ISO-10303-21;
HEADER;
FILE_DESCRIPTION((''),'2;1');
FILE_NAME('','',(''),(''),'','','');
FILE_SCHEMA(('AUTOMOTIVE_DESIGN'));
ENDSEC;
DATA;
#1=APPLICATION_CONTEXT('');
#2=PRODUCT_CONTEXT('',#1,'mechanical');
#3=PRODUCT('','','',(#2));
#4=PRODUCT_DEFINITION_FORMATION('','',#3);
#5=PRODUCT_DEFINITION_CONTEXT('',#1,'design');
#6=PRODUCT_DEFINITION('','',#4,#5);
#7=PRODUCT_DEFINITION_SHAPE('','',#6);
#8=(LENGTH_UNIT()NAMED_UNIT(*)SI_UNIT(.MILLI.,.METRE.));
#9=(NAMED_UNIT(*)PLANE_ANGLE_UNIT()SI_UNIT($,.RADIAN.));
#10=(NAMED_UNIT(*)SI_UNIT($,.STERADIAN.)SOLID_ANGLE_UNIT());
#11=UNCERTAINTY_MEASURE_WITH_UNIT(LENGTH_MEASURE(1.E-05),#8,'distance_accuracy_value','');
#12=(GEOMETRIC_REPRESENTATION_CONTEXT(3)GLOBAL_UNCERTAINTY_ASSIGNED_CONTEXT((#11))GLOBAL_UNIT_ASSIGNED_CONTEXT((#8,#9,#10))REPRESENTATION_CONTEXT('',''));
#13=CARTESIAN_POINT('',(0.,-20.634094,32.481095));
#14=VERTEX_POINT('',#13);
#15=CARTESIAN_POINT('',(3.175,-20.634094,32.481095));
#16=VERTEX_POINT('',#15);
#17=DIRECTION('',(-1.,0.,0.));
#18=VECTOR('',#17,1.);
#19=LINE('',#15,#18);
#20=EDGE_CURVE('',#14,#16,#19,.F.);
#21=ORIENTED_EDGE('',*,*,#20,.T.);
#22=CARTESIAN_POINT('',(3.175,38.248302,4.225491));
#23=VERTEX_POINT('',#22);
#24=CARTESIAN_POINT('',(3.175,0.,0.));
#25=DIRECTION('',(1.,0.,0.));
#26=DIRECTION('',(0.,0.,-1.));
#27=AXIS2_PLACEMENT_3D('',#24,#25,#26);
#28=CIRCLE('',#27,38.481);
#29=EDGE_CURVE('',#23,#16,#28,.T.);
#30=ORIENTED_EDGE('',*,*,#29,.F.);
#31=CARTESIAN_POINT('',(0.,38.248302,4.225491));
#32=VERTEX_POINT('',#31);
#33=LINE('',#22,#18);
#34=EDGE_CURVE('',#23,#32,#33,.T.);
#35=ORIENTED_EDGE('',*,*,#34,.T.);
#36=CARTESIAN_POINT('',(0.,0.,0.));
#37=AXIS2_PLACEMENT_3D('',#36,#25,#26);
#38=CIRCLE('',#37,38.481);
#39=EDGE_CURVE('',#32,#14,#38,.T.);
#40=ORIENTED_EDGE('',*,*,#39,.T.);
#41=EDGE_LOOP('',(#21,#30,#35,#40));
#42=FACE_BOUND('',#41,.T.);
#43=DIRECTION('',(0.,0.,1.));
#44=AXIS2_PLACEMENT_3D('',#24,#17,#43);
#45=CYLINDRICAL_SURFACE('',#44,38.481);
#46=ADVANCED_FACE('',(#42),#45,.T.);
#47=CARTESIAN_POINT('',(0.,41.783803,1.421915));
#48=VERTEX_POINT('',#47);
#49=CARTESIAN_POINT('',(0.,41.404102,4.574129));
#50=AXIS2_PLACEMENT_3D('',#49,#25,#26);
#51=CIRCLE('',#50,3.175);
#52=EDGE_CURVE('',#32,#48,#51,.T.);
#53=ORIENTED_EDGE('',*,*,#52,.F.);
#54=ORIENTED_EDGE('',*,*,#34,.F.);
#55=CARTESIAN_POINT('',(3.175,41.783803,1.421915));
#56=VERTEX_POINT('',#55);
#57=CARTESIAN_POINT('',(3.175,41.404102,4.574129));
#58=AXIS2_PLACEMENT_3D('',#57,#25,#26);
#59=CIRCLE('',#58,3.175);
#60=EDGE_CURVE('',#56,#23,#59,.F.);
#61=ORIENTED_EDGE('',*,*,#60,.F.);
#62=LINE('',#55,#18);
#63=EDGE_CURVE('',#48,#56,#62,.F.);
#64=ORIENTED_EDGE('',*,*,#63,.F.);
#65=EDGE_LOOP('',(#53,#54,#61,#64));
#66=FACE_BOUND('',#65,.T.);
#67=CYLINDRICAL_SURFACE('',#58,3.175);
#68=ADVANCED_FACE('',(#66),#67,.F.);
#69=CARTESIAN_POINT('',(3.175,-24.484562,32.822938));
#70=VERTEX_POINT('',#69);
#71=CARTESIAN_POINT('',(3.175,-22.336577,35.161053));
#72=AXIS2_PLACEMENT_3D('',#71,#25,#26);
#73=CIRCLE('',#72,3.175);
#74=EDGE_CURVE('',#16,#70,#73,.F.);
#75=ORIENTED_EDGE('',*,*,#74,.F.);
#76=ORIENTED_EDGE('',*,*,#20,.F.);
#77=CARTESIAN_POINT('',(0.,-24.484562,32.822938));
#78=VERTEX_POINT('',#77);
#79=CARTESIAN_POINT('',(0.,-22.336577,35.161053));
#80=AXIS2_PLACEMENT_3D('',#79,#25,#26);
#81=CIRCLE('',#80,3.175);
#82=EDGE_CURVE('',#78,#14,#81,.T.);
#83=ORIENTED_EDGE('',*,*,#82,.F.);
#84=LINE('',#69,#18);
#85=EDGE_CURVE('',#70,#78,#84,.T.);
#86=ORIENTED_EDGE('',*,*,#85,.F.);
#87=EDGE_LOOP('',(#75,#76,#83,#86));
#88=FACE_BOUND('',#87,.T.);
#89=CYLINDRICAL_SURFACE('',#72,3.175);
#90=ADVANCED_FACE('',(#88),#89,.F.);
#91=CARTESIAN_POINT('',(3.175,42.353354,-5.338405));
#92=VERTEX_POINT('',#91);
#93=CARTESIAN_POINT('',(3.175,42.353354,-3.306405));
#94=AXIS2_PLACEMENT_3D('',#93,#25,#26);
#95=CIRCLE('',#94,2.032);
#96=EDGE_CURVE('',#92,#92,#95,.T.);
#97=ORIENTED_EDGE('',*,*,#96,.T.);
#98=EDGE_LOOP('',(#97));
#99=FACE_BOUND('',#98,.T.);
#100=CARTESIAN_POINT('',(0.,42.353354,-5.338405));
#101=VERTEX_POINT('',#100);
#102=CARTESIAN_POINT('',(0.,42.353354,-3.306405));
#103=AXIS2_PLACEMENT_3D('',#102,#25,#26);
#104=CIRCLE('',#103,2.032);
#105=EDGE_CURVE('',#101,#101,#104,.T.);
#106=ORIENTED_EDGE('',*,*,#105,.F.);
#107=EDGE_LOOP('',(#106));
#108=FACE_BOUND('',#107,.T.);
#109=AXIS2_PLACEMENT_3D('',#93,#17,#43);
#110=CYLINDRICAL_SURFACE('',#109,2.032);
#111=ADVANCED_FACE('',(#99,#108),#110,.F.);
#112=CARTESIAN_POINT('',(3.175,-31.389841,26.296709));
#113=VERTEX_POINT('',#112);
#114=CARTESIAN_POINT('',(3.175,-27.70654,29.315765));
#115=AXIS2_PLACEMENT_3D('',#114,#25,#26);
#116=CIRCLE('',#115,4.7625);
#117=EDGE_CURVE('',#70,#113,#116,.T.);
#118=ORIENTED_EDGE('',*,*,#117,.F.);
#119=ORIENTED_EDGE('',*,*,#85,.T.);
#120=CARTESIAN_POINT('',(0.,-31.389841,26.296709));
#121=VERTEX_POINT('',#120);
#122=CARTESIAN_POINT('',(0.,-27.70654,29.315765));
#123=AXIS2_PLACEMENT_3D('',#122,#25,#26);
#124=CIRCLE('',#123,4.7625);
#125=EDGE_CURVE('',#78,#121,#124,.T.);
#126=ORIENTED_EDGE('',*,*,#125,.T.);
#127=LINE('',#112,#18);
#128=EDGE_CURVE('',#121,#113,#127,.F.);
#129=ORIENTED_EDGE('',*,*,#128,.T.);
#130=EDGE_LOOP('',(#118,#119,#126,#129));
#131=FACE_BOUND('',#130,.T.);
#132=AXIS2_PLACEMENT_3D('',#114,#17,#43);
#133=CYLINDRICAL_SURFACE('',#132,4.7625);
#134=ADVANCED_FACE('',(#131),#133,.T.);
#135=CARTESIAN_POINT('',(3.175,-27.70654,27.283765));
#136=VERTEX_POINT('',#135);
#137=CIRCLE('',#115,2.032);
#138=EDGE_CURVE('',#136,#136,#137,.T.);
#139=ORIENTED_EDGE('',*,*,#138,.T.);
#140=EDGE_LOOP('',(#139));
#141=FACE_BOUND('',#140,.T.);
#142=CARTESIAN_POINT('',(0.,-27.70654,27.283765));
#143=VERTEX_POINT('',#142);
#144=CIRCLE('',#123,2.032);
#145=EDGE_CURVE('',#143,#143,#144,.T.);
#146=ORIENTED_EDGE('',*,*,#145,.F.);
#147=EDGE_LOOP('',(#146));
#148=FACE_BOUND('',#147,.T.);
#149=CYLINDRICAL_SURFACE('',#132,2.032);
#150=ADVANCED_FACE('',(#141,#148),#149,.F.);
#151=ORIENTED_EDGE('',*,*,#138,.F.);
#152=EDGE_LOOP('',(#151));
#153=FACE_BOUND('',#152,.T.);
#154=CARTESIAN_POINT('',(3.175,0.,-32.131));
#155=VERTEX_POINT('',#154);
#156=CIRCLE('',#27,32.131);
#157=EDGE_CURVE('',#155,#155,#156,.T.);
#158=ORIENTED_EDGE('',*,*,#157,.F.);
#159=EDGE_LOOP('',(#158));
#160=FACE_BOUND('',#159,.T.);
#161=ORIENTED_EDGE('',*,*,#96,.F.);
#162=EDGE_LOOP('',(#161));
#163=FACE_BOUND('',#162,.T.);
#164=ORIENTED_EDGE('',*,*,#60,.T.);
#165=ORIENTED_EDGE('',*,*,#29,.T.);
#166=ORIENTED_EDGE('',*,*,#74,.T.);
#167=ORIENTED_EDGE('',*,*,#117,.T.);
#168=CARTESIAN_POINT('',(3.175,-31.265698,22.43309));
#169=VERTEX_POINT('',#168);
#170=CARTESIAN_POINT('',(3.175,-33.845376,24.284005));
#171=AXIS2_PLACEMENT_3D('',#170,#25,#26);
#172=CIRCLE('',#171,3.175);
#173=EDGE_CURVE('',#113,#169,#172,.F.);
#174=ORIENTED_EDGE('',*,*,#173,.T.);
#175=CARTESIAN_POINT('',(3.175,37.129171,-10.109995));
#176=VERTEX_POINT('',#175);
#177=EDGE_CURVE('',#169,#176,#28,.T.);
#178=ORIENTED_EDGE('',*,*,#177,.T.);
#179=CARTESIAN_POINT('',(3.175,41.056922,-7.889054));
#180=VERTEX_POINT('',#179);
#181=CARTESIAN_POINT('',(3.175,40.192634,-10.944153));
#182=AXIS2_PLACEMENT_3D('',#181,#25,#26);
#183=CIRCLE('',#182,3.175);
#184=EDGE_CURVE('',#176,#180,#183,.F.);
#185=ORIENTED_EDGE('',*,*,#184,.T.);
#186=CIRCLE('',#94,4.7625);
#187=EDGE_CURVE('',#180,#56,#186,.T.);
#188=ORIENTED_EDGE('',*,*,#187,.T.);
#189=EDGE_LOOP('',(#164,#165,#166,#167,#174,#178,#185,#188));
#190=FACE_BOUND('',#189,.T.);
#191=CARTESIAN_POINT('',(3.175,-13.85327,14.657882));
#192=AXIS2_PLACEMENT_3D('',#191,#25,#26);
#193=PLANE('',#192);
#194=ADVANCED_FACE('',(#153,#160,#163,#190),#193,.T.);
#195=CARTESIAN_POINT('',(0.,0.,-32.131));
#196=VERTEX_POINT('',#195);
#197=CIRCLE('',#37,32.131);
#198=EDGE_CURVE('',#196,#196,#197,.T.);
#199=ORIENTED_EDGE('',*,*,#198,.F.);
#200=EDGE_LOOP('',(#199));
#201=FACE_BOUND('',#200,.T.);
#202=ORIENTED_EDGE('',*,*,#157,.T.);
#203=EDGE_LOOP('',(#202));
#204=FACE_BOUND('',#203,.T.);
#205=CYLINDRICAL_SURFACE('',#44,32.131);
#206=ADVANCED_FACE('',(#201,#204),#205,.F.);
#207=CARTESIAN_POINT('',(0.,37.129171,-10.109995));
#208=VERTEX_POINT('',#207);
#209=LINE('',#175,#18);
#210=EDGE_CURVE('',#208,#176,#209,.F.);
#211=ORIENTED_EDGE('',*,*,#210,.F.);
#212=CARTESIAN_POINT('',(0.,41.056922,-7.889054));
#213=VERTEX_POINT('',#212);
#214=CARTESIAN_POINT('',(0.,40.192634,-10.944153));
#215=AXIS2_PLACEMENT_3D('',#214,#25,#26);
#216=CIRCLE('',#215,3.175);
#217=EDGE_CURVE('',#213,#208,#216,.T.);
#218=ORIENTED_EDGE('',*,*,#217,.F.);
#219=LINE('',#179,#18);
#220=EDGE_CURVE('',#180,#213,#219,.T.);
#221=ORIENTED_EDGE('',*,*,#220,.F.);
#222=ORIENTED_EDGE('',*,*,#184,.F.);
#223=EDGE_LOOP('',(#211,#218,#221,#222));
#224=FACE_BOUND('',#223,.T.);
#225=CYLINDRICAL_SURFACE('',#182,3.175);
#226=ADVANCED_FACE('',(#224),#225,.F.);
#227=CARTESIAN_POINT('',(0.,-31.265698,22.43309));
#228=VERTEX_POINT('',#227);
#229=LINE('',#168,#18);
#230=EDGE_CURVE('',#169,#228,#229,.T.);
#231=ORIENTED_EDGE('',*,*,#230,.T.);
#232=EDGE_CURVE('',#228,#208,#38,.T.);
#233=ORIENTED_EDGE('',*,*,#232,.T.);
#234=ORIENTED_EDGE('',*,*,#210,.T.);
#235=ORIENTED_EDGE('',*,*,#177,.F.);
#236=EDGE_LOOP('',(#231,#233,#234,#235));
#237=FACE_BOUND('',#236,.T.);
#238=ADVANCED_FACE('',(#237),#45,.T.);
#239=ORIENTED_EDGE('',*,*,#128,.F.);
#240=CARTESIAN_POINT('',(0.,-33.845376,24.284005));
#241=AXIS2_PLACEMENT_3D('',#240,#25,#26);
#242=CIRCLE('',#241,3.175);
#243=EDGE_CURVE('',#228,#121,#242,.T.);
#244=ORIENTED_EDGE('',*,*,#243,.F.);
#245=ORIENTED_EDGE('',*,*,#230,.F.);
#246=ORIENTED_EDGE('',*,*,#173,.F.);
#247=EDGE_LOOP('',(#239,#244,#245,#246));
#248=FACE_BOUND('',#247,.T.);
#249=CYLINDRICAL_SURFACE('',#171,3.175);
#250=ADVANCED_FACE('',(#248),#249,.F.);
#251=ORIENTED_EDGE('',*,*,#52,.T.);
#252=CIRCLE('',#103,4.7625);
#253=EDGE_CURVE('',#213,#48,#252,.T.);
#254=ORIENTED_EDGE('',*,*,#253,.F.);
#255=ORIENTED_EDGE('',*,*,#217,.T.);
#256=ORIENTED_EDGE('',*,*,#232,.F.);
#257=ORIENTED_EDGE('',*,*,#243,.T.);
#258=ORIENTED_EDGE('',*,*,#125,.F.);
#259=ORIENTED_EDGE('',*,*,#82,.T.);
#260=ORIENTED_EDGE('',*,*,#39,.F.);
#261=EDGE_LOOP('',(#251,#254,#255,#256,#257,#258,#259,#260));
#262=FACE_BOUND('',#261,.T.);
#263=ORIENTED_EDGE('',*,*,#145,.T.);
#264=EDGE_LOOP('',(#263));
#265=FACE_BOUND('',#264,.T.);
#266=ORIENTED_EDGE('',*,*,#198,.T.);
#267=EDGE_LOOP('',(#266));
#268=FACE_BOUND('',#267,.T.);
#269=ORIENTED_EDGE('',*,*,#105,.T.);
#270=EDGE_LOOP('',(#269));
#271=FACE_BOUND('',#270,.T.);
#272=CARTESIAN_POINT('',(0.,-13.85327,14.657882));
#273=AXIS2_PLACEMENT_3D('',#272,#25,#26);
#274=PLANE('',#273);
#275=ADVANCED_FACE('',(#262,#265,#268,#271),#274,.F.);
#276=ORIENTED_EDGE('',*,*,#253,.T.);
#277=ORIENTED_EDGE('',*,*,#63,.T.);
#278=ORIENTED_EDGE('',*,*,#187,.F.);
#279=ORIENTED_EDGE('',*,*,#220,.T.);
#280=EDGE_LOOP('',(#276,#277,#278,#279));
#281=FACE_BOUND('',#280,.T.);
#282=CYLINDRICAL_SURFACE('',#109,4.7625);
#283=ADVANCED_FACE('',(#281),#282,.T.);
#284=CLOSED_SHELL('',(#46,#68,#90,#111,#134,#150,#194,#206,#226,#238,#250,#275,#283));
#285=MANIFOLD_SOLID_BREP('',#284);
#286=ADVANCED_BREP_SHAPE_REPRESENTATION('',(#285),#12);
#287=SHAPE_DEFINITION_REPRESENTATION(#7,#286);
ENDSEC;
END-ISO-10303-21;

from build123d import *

# Parameters (mm, degrees)
SKETCH1_R           = 32.131
SKETCH1_R_2         = 2.032
BOSS_EXTRUDE1_DEPTH = 3.175
FILLET1_R           = 3.175


with BuildPart() as part:
    # Sketch1 → Boss-Extrude1 (new body)
    with BuildSketch(Plane(origin=(0, 0, 0), x_dir=(0, 0, -1), z_dir=(1, 0, 0))):
        with BuildLine():
            ThreePointArc((0.539277511, 38.477221063), (-34.317069018, 17.410517941), (-30.731600023, -23.159363571))
            ThreePointArc((-30.731600023, -23.159363571), (-32.777019562, -30.977797205), (-24.855674027, -29.376569399))
            ThreePointArc((-24.855674027, -29.376569399), (35.104868111, -15.761839864), (5.438477754, 38.094754504))
            ThreePointArc((5.438477754, 38.094754504), (3.677072288, 47.101407959), (0.539277511, 38.477221063))
        make_face()
        Circle(SKETCH1_R, mode=Mode.SUBTRACT)
        with Locations((3.306405321, 42.353354437)):
            Circle(SKETCH1_R_2, mode=Mode.SUBTRACT)
        with Locations((-29.315764749, -27.706540357)):
            Circle(SKETCH1_R_2, mode=Mode.SUBTRACT)
    extrude(amount=BOSS_EXTRUDE1_DEPTH)

    # Fillet1
    fillet1_edges = [part.edges().sort_by_distance(p)[0] for p in [
        (1.5875, -23.159363571, 30.731600023),
        (1.5875, 38.477221063, -0.539277511),
        (1.5875, 38.094754504, -5.438477754),
        (1.5875, -29.376569399, 24.855674027),
    ]]
    fillet(fillet1_edges, radius=FILLET1_R)


solid = part.part
